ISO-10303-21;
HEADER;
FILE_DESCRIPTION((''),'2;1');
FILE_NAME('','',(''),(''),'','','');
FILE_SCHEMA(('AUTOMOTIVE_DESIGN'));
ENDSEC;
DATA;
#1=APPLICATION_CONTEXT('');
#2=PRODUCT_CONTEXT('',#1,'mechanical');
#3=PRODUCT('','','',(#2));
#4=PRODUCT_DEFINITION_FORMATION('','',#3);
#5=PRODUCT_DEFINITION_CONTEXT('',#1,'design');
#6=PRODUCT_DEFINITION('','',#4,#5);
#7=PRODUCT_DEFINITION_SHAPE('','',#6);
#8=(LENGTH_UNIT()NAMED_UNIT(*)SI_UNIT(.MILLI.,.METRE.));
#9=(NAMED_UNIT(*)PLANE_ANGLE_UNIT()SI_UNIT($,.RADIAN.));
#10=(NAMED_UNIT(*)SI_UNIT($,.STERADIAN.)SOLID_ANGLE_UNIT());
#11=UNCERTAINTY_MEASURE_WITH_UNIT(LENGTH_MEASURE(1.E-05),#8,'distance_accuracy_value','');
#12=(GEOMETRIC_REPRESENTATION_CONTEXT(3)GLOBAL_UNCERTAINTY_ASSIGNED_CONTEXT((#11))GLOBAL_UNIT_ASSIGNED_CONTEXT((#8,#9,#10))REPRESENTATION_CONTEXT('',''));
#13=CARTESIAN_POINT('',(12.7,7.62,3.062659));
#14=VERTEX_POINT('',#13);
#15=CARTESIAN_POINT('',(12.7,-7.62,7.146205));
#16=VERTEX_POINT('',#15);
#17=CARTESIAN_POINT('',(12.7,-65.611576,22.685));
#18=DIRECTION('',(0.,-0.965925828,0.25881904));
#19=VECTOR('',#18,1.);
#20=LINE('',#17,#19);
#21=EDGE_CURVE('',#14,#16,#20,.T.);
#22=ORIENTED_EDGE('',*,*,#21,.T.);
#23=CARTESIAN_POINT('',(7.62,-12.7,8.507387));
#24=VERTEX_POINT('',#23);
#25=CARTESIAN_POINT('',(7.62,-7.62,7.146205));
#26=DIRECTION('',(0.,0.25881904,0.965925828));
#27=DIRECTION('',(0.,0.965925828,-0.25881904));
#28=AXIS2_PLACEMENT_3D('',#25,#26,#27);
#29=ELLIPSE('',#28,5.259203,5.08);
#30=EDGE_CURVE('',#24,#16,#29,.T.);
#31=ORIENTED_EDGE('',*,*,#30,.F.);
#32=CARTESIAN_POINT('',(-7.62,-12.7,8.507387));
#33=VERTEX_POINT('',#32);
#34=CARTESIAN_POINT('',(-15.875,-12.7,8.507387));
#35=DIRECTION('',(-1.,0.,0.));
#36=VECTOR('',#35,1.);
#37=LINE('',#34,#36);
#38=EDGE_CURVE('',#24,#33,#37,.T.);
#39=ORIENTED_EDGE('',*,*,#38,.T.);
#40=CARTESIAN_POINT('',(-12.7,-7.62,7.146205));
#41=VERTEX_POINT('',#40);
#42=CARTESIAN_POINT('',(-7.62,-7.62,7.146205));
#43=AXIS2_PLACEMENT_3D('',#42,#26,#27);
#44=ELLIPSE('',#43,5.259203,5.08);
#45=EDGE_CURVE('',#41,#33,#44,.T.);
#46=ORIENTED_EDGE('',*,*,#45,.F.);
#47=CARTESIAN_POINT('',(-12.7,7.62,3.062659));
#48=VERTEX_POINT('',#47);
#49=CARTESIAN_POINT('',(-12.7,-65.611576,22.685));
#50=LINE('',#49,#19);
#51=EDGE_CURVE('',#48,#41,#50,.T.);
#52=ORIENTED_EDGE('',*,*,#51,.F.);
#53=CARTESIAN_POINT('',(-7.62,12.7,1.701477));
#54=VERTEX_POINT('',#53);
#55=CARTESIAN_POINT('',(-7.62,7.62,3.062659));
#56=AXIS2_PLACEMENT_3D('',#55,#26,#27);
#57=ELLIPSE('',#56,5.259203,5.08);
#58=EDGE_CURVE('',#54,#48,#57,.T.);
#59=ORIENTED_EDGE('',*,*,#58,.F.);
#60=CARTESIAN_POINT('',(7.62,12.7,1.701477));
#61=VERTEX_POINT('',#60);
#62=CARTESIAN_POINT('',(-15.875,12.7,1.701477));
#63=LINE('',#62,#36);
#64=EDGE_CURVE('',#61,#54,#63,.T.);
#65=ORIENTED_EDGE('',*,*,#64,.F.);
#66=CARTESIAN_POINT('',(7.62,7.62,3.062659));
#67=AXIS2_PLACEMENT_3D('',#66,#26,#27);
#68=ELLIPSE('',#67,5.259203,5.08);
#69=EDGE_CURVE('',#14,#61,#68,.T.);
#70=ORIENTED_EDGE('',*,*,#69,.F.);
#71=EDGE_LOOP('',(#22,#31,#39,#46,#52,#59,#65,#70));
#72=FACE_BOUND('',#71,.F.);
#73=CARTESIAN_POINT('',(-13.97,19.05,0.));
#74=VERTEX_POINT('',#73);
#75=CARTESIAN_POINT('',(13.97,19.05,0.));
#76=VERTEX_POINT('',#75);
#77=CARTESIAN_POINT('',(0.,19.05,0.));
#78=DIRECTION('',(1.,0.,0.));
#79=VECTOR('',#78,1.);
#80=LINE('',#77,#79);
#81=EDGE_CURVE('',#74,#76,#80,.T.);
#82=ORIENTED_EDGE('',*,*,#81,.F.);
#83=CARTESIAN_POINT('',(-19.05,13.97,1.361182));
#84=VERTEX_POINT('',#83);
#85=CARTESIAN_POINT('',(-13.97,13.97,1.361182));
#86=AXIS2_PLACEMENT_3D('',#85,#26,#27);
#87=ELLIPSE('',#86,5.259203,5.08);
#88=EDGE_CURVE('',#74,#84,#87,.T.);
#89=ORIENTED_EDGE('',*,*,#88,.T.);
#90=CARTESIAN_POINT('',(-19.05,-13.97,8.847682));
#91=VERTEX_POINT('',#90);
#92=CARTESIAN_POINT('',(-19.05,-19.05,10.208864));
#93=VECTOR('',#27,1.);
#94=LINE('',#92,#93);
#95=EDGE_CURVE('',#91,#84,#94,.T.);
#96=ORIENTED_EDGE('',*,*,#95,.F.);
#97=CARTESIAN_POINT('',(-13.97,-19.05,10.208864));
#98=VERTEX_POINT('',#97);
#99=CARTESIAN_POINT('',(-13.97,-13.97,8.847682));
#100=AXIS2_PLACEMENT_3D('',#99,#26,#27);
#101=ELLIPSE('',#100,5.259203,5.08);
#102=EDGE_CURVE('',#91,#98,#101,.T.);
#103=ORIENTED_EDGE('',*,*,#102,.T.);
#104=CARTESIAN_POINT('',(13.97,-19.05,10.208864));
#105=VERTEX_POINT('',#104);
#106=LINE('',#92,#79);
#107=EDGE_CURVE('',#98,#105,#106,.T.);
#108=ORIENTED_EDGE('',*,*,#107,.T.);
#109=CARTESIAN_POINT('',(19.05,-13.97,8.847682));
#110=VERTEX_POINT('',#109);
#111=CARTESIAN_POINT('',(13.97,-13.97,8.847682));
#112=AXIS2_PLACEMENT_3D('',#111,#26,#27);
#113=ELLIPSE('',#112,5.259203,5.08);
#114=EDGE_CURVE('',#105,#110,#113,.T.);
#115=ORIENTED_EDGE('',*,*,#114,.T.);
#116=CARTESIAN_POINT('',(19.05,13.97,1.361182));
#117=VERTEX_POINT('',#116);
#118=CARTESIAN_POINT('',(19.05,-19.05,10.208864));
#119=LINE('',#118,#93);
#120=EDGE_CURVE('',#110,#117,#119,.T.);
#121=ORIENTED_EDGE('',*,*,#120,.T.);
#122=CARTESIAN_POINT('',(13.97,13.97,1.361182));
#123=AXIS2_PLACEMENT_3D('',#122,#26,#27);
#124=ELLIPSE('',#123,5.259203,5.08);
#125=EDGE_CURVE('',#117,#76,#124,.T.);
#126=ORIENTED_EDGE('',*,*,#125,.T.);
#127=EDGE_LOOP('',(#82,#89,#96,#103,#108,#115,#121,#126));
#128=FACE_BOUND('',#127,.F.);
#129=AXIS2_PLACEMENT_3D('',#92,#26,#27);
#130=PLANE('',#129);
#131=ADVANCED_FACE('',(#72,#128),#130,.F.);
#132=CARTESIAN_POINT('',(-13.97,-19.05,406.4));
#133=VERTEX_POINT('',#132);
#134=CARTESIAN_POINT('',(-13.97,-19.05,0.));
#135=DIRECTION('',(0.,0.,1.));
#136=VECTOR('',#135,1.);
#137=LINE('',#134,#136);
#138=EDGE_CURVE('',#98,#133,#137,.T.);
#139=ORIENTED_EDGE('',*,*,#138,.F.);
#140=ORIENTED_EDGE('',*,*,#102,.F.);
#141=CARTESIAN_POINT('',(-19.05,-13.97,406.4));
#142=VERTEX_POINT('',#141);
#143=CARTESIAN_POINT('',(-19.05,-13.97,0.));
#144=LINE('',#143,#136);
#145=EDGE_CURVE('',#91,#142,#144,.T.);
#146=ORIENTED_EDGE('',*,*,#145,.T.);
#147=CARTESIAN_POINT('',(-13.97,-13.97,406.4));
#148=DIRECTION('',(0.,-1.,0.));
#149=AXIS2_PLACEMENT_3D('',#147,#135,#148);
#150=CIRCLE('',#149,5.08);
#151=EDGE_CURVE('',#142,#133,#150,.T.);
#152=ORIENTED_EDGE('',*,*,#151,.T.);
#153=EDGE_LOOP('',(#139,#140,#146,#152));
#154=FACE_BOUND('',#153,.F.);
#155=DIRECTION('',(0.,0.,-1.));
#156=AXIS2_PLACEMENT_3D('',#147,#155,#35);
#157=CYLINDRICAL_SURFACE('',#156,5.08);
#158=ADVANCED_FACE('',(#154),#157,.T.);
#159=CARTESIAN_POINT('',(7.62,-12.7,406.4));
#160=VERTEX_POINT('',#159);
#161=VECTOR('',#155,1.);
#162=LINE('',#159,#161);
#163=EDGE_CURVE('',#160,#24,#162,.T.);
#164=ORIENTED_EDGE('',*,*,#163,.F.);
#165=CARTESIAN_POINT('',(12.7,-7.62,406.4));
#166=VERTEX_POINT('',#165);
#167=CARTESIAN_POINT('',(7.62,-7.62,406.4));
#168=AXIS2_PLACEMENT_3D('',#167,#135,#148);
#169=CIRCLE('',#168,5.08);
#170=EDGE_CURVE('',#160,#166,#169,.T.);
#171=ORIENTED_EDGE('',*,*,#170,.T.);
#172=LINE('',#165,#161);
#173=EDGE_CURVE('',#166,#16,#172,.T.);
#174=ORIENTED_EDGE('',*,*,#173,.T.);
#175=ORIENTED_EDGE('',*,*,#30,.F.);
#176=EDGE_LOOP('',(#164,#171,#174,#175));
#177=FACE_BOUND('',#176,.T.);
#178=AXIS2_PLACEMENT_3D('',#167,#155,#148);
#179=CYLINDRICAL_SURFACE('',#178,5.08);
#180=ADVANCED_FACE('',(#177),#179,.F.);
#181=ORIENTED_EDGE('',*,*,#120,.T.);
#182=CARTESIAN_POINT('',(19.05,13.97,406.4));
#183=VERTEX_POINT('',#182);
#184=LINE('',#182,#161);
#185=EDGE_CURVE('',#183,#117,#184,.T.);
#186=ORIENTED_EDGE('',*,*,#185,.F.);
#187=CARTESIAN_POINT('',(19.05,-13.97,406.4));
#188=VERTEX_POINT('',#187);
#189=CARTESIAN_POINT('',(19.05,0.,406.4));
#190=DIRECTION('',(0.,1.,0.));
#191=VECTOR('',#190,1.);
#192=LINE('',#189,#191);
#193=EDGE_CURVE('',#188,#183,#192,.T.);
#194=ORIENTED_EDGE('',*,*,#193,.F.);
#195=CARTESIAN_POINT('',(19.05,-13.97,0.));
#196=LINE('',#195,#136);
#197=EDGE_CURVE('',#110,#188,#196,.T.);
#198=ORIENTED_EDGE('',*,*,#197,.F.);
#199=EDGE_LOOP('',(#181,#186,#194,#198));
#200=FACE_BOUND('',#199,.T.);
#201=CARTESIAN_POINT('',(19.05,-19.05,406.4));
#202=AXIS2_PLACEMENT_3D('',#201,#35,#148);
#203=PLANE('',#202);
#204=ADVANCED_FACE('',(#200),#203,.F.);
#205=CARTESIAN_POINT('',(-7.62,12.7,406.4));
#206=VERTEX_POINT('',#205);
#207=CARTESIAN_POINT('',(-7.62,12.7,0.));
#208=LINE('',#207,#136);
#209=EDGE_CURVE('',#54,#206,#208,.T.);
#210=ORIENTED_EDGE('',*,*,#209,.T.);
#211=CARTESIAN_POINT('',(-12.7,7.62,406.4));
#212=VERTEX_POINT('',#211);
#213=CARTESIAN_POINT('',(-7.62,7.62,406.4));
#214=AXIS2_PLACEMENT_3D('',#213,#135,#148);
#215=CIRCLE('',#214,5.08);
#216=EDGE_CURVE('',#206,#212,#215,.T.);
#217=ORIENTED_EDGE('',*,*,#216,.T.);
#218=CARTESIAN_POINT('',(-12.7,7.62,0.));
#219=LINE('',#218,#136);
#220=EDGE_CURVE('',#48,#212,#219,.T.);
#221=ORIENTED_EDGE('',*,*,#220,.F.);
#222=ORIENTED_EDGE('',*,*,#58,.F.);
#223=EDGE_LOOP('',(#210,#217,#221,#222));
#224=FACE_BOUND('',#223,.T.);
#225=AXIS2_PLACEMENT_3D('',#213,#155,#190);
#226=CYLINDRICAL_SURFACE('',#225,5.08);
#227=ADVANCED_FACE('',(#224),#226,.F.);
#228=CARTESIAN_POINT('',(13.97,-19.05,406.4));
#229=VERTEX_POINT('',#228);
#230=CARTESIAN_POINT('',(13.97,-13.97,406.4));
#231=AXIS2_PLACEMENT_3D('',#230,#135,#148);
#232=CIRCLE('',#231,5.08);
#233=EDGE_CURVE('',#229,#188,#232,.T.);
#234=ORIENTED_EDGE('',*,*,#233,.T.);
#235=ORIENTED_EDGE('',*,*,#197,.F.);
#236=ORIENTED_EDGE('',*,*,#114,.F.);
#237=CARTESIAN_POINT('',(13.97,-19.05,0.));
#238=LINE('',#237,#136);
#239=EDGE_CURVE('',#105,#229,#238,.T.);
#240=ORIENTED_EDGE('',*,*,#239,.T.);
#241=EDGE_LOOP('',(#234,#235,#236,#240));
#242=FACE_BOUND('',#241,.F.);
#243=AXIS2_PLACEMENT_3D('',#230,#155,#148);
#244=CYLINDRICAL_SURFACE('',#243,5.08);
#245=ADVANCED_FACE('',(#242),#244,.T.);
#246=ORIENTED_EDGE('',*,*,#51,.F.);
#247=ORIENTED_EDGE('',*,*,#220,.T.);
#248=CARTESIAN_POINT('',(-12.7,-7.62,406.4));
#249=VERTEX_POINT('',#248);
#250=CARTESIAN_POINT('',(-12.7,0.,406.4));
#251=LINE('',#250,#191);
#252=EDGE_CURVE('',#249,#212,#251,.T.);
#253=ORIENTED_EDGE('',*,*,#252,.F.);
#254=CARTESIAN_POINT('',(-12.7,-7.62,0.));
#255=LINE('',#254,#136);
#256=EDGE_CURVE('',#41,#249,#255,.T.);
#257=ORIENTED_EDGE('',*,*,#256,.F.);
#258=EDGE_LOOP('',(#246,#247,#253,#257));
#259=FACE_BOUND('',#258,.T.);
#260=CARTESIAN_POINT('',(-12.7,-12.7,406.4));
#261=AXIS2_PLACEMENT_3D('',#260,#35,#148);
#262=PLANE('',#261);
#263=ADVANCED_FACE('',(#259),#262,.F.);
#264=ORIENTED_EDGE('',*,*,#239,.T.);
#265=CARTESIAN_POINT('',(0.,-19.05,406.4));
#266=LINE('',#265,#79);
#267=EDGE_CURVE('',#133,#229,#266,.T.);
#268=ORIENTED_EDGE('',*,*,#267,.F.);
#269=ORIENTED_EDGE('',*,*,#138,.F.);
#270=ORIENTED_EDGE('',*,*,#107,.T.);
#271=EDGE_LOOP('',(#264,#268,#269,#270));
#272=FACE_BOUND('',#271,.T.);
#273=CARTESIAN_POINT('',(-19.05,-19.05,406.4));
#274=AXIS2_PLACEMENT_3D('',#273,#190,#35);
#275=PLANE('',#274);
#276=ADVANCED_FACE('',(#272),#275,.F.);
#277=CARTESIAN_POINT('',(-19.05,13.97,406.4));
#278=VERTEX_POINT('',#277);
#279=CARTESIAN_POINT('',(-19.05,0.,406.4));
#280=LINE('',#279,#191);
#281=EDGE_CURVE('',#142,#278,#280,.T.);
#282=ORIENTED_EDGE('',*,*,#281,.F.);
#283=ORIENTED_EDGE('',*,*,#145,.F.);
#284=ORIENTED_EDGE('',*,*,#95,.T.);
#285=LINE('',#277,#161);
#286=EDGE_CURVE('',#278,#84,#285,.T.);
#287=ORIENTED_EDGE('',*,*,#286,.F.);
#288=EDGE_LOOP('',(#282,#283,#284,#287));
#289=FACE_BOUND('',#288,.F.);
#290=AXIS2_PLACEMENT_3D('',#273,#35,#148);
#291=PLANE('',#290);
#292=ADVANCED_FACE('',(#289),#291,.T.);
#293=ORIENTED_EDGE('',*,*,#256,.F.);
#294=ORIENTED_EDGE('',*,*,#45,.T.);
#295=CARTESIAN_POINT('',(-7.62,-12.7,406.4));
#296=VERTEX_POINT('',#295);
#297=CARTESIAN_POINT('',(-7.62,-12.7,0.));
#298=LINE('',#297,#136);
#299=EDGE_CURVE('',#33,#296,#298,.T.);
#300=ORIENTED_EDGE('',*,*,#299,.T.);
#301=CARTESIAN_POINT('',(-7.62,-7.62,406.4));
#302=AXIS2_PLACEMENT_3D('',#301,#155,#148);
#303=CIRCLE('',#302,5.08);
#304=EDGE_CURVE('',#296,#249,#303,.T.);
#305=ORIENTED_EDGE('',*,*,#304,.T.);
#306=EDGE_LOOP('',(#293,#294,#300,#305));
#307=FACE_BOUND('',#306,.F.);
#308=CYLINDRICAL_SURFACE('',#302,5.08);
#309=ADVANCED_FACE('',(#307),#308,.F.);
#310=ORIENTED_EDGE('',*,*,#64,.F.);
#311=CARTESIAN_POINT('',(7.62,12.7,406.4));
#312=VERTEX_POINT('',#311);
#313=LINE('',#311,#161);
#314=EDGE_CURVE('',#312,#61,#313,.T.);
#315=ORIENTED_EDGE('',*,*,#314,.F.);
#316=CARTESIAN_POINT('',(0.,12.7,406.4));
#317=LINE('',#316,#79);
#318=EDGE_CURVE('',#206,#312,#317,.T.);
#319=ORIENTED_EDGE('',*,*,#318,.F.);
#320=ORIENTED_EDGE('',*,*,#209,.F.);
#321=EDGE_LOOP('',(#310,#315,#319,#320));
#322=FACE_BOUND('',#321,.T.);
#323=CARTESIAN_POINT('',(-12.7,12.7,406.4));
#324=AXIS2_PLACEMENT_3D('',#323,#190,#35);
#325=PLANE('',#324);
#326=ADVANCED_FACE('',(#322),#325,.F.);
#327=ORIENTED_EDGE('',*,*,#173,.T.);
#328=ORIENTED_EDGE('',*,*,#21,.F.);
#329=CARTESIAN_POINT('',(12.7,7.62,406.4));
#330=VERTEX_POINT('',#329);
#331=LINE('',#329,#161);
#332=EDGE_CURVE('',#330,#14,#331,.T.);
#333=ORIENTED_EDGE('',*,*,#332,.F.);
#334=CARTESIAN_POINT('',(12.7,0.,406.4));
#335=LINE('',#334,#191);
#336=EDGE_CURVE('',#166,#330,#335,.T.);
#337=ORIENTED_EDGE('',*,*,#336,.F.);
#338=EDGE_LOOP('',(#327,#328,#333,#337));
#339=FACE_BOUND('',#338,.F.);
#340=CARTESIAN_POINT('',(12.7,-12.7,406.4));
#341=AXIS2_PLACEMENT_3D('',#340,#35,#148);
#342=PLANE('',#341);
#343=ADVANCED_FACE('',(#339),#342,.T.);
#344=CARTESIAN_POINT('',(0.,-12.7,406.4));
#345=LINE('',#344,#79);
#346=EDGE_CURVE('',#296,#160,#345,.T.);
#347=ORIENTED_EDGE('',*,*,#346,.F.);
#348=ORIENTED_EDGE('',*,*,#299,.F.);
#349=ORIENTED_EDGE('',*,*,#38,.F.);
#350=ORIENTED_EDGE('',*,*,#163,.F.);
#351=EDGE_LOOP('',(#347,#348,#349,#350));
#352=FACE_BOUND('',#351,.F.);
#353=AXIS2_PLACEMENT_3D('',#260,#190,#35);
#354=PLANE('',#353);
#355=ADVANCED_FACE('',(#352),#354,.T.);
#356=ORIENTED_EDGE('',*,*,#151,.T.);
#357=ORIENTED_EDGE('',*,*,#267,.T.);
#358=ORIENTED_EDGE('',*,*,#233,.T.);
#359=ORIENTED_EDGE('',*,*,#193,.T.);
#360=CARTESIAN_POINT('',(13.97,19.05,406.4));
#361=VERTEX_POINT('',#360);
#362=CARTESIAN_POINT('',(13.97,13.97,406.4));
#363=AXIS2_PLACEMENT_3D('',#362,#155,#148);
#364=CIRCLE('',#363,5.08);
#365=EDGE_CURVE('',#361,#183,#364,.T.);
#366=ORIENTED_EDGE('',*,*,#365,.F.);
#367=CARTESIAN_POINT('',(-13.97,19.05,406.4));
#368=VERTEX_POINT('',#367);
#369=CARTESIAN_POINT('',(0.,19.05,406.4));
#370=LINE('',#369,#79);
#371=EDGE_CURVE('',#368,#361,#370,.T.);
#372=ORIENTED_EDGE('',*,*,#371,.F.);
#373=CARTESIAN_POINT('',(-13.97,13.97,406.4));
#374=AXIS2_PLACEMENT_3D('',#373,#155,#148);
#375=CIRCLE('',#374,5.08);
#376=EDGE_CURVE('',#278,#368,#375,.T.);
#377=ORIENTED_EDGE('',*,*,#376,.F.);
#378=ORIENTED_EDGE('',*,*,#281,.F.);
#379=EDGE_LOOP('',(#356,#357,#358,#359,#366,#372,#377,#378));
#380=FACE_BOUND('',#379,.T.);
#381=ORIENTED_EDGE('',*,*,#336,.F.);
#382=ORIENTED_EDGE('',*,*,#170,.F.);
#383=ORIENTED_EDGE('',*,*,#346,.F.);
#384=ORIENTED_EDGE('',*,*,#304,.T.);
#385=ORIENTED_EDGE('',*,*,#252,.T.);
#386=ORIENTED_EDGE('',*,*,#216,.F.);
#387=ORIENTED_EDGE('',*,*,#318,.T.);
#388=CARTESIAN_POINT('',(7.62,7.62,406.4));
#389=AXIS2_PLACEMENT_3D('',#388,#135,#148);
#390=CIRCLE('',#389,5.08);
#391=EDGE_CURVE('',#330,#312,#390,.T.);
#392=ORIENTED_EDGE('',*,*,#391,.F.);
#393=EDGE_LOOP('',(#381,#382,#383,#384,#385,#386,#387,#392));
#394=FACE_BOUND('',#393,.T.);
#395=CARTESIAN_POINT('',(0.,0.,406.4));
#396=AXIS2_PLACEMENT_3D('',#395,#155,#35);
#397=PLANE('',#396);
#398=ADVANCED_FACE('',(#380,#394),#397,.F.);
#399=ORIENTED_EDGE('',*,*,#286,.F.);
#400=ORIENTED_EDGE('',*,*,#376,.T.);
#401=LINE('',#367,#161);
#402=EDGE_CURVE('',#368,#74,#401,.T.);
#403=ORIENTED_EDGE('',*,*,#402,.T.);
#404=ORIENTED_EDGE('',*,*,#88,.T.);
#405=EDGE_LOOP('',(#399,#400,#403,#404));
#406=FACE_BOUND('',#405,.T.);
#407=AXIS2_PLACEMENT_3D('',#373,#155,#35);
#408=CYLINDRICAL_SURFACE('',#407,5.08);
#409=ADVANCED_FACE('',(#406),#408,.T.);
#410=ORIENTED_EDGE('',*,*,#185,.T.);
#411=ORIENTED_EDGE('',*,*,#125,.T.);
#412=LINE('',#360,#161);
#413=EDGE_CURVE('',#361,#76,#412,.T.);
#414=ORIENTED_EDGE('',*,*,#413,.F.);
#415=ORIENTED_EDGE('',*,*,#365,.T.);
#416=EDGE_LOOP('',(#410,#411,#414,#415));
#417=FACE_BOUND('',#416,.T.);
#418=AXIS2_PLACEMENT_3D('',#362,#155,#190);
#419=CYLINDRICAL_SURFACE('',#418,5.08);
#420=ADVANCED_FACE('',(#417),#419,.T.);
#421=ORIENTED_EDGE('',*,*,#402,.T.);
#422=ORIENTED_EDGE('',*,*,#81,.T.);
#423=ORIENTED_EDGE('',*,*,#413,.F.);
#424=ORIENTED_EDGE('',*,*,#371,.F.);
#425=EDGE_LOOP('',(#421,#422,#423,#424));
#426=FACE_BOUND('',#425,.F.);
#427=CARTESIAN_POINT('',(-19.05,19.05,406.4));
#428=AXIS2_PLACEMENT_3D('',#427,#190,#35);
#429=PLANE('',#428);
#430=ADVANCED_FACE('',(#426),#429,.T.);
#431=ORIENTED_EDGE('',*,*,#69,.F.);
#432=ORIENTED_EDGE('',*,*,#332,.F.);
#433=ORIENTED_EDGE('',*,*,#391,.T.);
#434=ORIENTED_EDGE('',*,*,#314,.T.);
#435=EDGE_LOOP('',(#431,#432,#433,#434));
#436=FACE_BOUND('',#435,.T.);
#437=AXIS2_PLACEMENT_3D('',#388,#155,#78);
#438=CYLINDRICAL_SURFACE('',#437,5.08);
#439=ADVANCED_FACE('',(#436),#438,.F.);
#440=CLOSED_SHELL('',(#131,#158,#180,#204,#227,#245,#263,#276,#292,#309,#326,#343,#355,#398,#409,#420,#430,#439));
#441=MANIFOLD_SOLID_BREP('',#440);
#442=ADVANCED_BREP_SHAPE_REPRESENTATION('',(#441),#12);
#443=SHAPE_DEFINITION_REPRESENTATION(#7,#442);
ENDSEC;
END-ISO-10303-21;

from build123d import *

# Parameters (mm, degrees)
F0_W     = 38.1
F0_H     = 38.1
F0_W_2   = 25.4
F0_H_2   = 25.4
F1_DEPTH = 203.2
F2_R     = 5.08
F5_DEPTH = 38.1


with BuildPart() as f1:
    # F0 (on Top) → F1 (new body)
    with BuildSketch(Plane.XY):
        Rectangle(F0_W, F0_H)
        Rectangle(F0_W_2, F0_H_2, mode=Mode.SUBTRACT)
    extrude(amount=F1_DEPTH)

    # F2
    f2_edges = [f1.edges().sort_by_distance(p)[0] for p in [
        (-19.05, 19.05, 101.6),
        (-19.05, -19.05, 101.6),
        (19.05, -19.05, 101.6),
        (19.05, 19.05, 101.6),
        (-12.7, 12.7, 101.6),
        (12.7, 12.7, 101.6),
        (12.7, -12.7, 101.6),
        (-12.7, -12.7, 101.6),
    ]]
    fillet(f2_edges, radius=F2_R)

    # F3: F1 across face


with BuildPart() as f1_1:
    add(f1.part)
    add(f1.part.mirror(Plane.XY.offset(203.2)))

    # F4 (on face) → F5 (cut, through all)
    with BuildSketch(Plane(origin=(-19.05, 0, 0), x_dir=(0, -1, 0), z_dir=(-1, 0, 0))):
        Polygon((19.05, 10.208864), (-19.05, 0), (19.05, 0), align=None)
    extrude(amount=-F5_DEPTH, mode=Mode.SUBTRACT)


solid = f1_1.part
